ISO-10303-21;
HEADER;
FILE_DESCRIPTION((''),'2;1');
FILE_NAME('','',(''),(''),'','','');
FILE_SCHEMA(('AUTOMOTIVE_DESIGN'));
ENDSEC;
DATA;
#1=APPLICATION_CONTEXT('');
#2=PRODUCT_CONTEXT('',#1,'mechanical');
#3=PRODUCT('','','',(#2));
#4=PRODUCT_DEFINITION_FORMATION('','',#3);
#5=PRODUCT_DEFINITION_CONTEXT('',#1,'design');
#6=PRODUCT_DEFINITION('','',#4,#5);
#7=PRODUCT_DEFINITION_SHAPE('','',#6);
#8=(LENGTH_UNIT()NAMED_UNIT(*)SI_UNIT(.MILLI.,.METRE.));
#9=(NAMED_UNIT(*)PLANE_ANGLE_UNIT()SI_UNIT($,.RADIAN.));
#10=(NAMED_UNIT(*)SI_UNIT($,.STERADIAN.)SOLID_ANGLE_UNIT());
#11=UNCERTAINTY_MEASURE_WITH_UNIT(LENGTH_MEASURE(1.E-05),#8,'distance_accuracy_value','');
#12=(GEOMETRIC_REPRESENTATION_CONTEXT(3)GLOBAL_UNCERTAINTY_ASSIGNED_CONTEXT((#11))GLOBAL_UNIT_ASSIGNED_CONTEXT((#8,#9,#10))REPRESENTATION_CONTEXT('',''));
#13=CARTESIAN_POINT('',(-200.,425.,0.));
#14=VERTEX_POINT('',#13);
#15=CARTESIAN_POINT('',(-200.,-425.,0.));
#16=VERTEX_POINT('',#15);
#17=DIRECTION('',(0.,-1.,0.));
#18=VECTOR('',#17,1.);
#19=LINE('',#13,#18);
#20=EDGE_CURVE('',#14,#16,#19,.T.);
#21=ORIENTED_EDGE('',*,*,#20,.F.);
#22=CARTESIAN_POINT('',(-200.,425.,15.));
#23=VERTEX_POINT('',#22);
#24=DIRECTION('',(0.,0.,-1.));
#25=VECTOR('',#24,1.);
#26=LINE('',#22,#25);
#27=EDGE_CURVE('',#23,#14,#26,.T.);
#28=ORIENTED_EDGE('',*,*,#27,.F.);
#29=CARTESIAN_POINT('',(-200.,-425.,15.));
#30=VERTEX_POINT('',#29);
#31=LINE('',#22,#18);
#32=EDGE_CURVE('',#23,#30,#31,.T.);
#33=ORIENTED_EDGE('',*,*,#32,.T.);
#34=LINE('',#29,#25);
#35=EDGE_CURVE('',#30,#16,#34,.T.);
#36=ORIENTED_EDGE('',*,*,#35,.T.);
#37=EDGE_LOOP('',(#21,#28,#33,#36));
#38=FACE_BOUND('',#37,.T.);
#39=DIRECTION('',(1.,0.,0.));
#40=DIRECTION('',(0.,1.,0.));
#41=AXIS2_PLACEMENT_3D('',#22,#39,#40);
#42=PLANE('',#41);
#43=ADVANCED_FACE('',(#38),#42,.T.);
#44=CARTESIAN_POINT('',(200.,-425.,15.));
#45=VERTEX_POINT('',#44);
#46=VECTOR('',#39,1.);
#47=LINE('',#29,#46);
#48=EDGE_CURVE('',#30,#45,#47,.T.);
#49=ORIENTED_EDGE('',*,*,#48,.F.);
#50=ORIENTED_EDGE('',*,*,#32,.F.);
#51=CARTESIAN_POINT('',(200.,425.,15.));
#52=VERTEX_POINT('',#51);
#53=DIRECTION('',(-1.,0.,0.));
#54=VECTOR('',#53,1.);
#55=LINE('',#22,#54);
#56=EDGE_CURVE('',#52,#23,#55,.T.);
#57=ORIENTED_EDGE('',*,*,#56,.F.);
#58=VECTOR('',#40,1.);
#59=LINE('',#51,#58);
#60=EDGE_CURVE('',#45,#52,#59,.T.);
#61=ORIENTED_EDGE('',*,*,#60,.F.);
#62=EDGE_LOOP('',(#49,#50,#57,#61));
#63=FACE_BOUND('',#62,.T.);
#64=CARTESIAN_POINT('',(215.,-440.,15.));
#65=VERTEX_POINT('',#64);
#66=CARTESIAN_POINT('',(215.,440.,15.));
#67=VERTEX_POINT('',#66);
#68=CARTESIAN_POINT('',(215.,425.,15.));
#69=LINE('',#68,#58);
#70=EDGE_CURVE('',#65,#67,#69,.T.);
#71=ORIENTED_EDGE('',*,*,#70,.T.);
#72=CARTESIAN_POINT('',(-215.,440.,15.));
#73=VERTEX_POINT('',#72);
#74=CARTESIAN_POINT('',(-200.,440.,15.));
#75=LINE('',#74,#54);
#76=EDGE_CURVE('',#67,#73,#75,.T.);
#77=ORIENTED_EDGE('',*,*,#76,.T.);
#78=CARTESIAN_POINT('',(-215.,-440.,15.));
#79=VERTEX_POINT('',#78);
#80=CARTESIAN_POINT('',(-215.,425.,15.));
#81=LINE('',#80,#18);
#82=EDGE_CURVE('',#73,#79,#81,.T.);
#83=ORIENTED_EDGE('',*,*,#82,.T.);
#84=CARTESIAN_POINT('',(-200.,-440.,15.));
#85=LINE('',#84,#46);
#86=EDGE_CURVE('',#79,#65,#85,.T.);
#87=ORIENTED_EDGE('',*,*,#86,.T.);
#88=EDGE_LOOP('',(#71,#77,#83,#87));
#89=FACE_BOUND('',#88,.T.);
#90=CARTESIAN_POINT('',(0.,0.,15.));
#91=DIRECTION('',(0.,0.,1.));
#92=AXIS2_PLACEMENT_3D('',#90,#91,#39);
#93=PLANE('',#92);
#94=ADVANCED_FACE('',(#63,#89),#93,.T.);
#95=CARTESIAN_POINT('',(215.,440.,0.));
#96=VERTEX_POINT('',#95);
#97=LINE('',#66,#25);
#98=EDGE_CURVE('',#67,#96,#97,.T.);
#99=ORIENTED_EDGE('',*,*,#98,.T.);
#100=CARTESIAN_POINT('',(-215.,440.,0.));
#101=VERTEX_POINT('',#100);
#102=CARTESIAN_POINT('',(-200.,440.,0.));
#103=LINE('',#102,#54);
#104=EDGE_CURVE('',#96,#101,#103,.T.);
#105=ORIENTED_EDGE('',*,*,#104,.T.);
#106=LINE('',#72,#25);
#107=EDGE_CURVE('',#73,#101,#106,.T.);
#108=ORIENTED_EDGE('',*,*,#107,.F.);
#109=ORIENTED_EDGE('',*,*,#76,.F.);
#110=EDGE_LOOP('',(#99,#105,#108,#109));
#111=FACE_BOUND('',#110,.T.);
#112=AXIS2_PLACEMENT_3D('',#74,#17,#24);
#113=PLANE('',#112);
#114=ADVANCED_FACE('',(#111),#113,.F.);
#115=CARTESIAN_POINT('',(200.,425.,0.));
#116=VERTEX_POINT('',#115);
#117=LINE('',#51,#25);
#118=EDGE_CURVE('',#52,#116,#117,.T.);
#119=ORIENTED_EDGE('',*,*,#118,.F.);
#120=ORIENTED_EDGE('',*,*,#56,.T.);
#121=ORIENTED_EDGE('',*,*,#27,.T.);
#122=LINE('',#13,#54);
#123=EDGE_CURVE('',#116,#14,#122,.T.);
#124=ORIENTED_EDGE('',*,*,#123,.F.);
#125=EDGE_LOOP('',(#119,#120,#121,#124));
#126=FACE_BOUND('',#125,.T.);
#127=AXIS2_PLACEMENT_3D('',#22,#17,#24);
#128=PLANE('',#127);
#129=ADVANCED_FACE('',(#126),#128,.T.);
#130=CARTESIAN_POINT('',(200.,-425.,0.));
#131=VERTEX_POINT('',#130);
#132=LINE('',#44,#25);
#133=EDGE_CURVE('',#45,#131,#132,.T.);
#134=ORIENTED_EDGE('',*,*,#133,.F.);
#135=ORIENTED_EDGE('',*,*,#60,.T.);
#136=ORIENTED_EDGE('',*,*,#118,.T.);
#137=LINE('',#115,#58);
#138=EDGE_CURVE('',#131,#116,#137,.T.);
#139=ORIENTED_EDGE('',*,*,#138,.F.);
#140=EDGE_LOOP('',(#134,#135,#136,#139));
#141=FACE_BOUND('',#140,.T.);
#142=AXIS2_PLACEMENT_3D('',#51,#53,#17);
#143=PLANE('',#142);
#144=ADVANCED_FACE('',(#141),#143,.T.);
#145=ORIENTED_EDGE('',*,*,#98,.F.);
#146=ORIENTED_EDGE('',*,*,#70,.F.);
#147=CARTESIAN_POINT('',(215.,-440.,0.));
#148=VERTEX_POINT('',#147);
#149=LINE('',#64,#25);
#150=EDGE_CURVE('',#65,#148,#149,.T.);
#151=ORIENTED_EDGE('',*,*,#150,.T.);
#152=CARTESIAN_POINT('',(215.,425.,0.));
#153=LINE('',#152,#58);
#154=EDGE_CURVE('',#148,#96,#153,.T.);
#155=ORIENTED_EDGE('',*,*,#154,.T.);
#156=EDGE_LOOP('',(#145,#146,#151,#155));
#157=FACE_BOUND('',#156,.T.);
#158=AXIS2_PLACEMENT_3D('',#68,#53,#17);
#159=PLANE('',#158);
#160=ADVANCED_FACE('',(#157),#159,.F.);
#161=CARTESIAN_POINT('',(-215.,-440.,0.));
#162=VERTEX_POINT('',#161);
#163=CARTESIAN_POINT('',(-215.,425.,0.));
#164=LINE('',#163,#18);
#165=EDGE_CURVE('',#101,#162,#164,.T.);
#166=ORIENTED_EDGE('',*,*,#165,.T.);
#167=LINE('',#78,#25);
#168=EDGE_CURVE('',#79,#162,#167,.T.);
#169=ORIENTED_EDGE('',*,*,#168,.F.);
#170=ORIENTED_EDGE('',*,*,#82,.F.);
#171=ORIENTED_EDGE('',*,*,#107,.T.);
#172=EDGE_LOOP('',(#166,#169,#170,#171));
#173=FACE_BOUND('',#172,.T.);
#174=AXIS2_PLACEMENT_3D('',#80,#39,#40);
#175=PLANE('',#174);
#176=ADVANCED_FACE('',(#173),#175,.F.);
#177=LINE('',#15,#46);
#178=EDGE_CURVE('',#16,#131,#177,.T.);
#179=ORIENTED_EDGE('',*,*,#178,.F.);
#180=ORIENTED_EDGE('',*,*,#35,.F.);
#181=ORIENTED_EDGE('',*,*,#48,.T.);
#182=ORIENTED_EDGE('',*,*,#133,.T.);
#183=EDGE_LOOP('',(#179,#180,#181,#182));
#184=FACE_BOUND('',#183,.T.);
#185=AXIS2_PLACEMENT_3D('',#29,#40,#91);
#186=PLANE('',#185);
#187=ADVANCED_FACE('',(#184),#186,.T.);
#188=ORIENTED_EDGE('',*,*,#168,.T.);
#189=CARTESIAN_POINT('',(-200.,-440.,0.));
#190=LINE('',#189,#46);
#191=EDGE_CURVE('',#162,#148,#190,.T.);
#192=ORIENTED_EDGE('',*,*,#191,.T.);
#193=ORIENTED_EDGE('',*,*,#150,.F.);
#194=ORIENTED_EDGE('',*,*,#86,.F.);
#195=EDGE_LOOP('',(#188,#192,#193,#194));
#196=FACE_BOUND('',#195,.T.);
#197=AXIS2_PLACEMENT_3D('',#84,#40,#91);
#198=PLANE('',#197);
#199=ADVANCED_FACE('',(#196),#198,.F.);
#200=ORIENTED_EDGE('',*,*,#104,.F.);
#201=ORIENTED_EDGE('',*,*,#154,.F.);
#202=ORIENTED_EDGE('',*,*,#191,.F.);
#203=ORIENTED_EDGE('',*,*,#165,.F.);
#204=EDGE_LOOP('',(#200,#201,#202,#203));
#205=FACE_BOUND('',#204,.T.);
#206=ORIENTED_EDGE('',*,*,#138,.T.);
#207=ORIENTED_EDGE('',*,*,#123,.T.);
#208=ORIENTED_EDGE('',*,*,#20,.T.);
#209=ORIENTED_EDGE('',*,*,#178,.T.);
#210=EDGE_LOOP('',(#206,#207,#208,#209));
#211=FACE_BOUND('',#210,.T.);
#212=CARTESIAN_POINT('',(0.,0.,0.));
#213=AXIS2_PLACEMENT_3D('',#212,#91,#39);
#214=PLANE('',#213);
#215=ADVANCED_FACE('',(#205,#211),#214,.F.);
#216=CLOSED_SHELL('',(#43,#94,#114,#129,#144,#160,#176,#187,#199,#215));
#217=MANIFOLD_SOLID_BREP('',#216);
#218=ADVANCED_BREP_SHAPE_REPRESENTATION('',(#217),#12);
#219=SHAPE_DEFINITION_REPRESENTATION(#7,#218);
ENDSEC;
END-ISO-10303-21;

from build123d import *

# Parameters (mm, degrees)
SKETCH_1_W      = 430
SKETCH_1_H      = 880
SKETCH_1_W_2    = 400
SKETCH_1_H_2    = 850
EXTRUDE_1_DEPTH = 15


with BuildPart() as part:
    # 草图1 → 拉伸-薄壁1 (new body)
    with BuildSketch(Plane.XY):
        Rectangle(SKETCH_1_W, SKETCH_1_H)
        Rectangle(SKETCH_1_W_2, SKETCH_1_H_2, mode=Mode.SUBTRACT)
    extrude(amount=EXTRUDE_1_DEPTH)


solid = part.part
